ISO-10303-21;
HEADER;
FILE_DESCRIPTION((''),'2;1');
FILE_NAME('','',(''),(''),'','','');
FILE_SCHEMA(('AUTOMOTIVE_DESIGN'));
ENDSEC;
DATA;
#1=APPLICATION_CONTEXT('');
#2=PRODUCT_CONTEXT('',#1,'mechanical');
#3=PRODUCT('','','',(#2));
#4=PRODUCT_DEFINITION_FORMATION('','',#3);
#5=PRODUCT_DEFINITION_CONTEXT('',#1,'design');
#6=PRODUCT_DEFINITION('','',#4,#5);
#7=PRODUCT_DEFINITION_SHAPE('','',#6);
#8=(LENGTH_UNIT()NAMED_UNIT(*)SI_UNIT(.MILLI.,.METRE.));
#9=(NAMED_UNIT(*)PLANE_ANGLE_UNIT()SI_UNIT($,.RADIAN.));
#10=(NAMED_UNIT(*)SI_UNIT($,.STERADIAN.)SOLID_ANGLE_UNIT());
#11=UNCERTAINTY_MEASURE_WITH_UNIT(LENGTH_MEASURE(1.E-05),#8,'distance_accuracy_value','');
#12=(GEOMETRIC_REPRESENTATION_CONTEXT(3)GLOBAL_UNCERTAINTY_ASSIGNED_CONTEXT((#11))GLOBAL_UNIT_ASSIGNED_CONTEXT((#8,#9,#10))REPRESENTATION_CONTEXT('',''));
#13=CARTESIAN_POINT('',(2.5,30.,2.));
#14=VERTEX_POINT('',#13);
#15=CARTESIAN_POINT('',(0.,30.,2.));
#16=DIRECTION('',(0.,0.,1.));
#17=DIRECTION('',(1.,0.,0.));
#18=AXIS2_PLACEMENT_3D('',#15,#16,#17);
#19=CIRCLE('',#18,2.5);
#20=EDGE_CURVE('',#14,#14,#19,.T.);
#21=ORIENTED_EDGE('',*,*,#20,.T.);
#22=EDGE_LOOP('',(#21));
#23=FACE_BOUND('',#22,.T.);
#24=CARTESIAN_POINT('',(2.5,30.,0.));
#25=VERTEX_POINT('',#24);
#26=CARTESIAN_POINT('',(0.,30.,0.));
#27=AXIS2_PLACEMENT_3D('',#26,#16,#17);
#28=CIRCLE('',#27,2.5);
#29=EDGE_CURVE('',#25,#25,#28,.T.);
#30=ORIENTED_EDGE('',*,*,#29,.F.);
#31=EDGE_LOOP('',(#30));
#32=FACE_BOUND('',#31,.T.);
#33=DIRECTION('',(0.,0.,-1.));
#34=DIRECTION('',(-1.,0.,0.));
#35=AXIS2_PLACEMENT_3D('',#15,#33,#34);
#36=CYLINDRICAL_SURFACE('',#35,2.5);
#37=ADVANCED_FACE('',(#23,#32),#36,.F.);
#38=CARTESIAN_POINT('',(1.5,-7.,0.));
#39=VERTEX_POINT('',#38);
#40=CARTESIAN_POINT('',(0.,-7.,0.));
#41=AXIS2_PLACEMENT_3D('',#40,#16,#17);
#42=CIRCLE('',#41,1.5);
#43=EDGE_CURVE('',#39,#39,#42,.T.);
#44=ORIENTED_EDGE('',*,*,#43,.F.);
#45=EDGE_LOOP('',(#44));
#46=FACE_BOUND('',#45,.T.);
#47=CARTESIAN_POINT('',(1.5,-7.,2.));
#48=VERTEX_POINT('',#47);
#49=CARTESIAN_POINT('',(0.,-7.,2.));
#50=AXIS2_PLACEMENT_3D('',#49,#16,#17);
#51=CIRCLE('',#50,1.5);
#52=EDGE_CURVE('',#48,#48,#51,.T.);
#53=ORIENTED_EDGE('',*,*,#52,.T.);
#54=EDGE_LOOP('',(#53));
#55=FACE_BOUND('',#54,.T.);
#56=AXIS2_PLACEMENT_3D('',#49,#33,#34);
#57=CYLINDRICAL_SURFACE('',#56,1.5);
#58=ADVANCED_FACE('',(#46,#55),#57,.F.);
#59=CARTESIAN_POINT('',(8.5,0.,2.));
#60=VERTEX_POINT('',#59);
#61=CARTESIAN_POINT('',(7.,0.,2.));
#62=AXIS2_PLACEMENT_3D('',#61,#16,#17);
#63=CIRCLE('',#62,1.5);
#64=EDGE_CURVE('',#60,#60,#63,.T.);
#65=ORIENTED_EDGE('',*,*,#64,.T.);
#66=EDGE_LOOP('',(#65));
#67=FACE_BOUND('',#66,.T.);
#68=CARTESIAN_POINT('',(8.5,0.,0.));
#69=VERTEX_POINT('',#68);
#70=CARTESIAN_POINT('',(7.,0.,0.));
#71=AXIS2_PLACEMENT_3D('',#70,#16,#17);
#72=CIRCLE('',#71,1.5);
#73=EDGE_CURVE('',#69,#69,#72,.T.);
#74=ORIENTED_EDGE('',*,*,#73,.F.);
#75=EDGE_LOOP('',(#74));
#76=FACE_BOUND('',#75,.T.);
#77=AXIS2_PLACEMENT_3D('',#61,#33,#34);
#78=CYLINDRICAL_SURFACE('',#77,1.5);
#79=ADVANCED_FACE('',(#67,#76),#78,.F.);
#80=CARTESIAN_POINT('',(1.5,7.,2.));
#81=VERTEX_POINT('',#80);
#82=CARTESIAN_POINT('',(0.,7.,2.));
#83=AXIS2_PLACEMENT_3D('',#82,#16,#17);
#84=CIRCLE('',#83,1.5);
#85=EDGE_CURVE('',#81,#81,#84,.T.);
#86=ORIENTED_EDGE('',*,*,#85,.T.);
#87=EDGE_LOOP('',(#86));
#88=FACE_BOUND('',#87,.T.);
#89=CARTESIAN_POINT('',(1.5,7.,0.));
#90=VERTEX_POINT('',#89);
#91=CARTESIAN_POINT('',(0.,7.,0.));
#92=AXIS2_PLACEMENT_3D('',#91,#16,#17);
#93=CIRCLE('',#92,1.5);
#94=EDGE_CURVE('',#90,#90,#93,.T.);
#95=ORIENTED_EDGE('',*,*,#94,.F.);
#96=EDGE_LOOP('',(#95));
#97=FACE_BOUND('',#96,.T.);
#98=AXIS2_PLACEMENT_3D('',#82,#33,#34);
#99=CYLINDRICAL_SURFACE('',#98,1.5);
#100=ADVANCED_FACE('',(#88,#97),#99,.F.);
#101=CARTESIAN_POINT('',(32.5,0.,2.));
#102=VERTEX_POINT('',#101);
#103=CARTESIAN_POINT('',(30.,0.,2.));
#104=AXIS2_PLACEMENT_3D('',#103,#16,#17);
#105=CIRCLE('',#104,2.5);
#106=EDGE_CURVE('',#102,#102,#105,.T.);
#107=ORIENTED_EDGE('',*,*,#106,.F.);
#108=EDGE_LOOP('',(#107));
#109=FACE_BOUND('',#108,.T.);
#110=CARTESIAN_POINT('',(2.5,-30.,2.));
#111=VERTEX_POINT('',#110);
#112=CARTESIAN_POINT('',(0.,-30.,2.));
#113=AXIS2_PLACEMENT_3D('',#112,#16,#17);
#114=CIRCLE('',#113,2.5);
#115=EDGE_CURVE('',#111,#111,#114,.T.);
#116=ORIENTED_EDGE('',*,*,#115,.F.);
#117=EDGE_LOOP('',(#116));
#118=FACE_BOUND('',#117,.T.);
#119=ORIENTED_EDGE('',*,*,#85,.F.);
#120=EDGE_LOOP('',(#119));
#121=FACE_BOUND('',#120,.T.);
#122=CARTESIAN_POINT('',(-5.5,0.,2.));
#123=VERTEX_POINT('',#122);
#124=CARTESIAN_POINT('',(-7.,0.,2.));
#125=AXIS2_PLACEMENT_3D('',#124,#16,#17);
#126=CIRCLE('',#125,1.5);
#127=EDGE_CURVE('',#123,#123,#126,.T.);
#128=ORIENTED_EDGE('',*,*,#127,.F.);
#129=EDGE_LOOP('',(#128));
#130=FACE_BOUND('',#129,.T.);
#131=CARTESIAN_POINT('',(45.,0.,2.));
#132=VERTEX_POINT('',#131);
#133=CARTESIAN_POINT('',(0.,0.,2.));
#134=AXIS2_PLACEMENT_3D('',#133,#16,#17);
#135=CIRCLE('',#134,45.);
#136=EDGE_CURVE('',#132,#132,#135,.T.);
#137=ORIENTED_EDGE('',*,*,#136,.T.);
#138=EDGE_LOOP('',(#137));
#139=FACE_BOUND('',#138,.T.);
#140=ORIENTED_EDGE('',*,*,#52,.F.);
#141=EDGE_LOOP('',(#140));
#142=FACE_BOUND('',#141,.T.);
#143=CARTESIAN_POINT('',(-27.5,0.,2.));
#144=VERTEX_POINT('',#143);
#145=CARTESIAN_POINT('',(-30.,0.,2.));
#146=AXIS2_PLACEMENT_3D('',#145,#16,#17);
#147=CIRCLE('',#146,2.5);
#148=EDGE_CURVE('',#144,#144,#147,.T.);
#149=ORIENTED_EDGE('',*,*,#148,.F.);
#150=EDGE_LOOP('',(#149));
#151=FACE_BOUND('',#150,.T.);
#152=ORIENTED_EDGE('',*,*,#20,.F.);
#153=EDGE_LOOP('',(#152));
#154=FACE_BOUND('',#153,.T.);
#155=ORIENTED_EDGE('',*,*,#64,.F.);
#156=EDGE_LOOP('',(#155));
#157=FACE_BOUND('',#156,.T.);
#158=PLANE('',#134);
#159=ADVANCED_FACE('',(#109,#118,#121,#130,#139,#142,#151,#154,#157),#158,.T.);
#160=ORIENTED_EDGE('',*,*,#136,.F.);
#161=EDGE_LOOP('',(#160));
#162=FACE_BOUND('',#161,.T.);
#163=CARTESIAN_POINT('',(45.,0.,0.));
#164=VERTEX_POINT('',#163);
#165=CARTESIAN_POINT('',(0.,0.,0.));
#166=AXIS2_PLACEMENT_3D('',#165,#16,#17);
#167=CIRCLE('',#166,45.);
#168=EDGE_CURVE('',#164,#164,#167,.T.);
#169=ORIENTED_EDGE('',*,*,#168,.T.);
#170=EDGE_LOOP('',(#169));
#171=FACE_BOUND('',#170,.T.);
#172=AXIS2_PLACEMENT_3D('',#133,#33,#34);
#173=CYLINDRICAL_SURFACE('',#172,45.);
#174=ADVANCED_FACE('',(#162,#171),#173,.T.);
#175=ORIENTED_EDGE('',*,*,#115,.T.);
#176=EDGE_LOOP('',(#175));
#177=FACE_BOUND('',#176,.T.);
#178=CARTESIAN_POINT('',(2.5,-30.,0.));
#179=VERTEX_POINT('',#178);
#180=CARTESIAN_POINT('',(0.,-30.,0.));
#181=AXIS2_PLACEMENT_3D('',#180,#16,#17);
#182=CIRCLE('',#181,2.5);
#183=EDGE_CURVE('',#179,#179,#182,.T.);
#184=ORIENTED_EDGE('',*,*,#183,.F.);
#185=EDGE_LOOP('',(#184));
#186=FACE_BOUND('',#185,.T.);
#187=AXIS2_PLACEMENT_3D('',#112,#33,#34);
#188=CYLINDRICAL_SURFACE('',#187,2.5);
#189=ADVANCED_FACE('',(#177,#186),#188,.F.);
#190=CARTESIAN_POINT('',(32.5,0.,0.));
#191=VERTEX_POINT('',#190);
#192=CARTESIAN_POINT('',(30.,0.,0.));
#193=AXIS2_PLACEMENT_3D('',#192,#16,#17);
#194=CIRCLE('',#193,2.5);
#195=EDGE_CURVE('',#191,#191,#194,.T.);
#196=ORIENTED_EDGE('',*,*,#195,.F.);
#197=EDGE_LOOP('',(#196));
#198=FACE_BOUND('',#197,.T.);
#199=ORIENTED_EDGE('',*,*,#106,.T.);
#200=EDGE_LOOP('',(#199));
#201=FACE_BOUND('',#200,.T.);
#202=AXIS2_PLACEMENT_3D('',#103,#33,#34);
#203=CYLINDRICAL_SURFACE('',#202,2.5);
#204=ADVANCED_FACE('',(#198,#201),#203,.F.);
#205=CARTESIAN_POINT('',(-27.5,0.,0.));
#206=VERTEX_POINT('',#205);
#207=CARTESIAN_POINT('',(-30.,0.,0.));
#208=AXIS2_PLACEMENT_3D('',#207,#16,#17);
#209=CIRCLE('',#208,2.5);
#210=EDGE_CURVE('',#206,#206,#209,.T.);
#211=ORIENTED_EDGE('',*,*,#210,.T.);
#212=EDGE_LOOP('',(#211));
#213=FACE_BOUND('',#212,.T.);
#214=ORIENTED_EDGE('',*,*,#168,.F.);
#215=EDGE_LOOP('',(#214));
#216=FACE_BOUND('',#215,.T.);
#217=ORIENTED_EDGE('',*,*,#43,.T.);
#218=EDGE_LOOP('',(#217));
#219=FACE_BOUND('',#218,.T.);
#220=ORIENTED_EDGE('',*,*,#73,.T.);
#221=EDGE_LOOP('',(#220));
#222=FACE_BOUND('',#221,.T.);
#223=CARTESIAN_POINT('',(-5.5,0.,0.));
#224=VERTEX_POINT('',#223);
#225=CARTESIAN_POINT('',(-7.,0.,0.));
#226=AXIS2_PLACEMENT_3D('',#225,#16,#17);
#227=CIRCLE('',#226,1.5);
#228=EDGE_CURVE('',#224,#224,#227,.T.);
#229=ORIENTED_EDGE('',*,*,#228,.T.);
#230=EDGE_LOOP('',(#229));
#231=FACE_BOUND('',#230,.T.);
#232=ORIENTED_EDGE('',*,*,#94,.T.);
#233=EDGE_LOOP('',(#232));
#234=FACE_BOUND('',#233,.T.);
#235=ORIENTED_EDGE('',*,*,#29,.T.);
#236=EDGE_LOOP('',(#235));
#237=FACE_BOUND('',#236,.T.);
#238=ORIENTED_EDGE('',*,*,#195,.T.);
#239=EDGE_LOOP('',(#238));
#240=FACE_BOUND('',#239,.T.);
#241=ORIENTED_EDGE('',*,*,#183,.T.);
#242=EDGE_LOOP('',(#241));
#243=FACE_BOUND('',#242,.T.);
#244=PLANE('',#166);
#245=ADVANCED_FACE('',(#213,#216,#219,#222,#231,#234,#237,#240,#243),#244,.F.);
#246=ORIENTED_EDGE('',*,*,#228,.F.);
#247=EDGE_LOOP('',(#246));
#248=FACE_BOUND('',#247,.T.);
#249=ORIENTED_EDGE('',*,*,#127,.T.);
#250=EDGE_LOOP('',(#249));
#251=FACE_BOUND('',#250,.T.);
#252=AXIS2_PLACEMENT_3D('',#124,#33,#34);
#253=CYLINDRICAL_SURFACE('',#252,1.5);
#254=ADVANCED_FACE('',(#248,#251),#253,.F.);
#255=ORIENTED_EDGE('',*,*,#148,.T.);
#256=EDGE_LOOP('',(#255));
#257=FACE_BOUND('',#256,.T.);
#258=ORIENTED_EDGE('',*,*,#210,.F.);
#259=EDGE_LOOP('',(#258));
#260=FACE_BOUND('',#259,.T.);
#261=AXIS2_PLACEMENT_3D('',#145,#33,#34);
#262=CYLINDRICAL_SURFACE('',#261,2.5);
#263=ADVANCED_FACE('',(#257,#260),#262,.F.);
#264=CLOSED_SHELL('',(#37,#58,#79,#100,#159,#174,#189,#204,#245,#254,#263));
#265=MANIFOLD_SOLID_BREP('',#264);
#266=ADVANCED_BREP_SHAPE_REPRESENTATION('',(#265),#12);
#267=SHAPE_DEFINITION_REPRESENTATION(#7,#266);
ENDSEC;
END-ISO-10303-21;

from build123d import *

# Parameters (mm, degrees)
SKETCH1_R           = 45
SKETCH1_R_2         = 1.5
SKETCH1_R_3         = 2.5
BOSS_EXTRUDE1_DEPTH = 2


with BuildPart() as part:
    # Sketch1 → Boss-Extrude1 (new body)
    with BuildSketch(Plane.XY):
        Circle(SKETCH1_R)
        with Locations((0, 7)):
            Circle(SKETCH1_R_2, mode=Mode.SUBTRACT)
        with Locations((7, 0)):
            Circle(SKETCH1_R_2, mode=Mode.SUBTRACT)
        with Locations((0, -7)):
            Circle(SKETCH1_R_2, mode=Mode.SUBTRACT)
        with Locations((-7, 0)):
            Circle(SKETCH1_R_2, mode=Mode.SUBTRACT)
        with Locations((0, 30)):
            Circle(SKETCH1_R_3, mode=Mode.SUBTRACT)
        with Locations((30, 0)):
            Circle(SKETCH1_R_3, mode=Mode.SUBTRACT)
        with Locations((0, -30)):
            Circle(SKETCH1_R_3, mode=Mode.SUBTRACT)
        with Locations((-30, 0)):
            Circle(SKETCH1_R_3, mode=Mode.SUBTRACT)
    extrude(amount=BOSS_EXTRUDE1_DEPTH)


solid = part.part
